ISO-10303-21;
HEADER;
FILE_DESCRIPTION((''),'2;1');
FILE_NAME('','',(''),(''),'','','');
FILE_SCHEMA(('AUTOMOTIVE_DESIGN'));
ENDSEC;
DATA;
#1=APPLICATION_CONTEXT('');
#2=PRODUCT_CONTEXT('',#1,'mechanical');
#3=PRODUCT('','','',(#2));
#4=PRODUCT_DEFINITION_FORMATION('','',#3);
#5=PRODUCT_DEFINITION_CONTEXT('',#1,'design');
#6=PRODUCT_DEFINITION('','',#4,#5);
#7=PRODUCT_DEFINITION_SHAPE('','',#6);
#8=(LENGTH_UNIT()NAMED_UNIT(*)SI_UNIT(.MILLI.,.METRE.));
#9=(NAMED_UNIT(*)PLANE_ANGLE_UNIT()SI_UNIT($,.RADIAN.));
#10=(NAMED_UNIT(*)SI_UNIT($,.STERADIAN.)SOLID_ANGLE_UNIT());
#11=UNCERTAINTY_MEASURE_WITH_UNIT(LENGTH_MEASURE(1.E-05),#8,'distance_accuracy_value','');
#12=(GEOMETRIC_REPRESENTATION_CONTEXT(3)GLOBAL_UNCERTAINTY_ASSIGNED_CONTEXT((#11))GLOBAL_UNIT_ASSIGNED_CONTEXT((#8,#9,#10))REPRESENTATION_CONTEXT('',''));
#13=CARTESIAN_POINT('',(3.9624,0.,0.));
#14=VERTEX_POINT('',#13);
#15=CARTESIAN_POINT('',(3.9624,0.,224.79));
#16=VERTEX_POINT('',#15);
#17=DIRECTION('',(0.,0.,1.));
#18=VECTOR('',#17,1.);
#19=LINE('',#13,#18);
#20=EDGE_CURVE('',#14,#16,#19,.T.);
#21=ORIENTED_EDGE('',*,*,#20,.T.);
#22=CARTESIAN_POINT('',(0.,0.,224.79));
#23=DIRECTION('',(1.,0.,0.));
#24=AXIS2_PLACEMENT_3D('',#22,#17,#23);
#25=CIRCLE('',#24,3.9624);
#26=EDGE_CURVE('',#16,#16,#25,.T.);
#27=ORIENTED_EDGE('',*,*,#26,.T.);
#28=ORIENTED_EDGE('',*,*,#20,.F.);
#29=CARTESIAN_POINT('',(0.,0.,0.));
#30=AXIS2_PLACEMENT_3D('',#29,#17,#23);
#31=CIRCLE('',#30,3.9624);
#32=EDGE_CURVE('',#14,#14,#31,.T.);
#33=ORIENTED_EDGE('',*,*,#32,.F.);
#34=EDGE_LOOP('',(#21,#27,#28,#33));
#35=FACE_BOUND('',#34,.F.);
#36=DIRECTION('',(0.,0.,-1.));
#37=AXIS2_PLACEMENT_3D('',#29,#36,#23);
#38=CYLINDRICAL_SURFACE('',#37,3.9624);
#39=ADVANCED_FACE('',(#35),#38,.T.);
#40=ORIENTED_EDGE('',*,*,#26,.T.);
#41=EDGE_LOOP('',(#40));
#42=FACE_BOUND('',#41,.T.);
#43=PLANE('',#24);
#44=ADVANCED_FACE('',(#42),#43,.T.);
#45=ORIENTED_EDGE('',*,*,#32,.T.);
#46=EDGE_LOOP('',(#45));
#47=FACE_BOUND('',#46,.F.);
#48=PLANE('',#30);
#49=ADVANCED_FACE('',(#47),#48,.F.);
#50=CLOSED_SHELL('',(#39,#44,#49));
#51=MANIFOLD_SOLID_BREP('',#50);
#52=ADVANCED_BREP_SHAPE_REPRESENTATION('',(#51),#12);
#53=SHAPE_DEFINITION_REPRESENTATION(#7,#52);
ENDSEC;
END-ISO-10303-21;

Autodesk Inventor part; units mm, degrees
ref_plane "YZ Plane" through (0, 0, 0) normal (1, 0, 0) x (0, 1, 0)
ref_plane "XZ Plane" through (0, 0, 0) normal (0, 1, 0) x (-1, 0, 0)
ref_plane "XY Plane" through (0, 0, 0) normal (0, 0, 1) x (1, 0, 0)
sketch "Sketch1" plane through (0, 0, 0) normal (0, 0, 1) x (1, 0, 0)
  circle A0 centre (0, 0) radius 3.9624
  dimension "d0" = 7.9248
extrude "Extrusion1" add sketch "Sketch1" along normal blind 224.79
thread "Thread1" size "5/16-18 UNC" class "2A" standard "ANSI Unified Screw Threads" full length
properties part number "ThreadedRodThread_5_16_18" material "Brass, Soft Yellow"
